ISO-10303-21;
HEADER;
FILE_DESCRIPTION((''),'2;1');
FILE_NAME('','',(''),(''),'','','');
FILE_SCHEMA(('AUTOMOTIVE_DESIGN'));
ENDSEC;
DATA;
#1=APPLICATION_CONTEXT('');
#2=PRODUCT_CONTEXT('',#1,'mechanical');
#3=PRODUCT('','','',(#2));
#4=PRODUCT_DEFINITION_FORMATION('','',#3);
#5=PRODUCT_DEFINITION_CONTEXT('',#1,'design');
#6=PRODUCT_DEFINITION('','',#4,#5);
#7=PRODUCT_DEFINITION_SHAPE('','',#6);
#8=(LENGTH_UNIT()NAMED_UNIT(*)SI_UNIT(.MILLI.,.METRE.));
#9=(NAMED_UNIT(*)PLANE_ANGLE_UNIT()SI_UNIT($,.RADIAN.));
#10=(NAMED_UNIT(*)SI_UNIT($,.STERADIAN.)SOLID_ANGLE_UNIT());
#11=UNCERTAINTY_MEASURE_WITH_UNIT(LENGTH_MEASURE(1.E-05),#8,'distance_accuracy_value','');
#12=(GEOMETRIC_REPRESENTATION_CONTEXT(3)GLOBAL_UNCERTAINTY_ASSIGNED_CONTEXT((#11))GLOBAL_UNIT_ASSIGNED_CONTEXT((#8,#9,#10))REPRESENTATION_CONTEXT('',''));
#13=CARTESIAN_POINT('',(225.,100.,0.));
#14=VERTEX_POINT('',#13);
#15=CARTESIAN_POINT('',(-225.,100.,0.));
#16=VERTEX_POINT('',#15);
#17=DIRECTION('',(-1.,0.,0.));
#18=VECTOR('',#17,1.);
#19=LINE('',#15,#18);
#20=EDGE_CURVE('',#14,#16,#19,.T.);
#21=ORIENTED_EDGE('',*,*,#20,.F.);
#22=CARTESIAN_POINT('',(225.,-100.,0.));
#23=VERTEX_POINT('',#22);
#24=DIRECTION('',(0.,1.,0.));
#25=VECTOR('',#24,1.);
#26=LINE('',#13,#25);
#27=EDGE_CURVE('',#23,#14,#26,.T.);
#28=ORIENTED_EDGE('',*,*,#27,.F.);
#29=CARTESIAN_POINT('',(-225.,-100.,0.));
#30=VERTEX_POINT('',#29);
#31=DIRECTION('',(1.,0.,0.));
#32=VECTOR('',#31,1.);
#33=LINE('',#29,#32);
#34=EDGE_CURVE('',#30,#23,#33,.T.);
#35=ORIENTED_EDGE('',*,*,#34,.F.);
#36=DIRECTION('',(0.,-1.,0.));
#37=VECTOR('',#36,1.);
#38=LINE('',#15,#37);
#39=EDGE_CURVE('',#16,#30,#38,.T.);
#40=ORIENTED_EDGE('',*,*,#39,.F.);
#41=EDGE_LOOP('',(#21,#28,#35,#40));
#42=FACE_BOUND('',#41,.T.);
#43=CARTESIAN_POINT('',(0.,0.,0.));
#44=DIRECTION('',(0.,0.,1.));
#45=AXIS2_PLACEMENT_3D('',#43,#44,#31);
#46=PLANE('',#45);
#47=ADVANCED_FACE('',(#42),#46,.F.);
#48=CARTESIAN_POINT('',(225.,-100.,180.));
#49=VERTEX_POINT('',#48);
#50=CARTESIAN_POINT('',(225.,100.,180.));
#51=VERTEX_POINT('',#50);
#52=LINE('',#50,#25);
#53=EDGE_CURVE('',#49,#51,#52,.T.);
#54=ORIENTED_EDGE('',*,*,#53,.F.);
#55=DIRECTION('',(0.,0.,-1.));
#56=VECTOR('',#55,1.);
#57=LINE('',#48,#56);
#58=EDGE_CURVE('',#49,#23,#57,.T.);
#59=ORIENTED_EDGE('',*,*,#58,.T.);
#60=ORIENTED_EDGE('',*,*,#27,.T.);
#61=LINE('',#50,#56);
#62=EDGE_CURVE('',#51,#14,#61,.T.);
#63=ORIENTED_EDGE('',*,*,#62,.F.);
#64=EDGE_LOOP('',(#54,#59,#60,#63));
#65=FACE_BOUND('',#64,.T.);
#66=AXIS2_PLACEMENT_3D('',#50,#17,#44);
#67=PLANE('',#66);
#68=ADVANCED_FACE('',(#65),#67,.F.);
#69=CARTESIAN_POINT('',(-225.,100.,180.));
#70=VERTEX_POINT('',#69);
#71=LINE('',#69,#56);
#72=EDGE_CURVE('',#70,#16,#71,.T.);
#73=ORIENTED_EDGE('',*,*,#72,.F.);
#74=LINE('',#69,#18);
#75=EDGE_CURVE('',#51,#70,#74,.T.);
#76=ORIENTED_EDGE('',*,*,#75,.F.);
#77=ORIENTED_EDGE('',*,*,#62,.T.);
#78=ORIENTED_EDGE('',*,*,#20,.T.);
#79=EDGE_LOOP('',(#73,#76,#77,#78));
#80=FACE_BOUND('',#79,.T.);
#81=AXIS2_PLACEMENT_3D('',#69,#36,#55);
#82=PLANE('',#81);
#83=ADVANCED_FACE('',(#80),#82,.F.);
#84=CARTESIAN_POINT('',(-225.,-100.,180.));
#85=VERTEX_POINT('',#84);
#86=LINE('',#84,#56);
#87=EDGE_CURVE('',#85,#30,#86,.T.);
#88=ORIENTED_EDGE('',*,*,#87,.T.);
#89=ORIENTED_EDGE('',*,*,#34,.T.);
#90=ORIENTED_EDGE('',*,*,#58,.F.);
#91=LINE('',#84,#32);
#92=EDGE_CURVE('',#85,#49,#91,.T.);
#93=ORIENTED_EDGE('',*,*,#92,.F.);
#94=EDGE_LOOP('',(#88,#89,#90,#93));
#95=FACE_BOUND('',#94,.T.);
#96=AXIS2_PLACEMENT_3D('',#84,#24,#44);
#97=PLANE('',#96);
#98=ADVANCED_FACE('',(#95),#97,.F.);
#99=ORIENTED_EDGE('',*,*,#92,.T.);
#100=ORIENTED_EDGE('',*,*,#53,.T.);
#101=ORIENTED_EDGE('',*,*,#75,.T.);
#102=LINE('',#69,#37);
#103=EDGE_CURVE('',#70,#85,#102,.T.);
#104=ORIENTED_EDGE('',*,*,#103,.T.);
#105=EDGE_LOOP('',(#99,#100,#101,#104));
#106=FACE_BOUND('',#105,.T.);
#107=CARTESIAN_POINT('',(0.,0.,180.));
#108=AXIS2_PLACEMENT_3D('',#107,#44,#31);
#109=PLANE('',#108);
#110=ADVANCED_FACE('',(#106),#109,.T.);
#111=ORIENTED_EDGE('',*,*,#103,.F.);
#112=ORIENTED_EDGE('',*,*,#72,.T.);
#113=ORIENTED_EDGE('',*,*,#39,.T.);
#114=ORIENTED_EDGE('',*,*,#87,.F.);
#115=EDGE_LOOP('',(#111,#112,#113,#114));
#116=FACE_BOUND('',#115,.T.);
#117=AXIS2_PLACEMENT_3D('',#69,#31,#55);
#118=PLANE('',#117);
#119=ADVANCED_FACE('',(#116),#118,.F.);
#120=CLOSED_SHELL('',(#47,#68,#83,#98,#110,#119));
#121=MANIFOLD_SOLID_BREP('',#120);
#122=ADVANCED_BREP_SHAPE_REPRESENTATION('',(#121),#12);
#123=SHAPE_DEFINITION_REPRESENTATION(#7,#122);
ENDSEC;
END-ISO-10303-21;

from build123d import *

# Parameters (mm, degrees)
SKETCH_1_W      = 450
SKETCH_1_H      = 200
EXTRUDE_1_DEPTH = 180


with BuildPart() as part:
    # 草图1 → 凸台-拉伸1 (new body)
    with BuildSketch(Plane.XY):
        Rectangle(SKETCH_1_W, SKETCH_1_H)
    extrude(amount=EXTRUDE_1_DEPTH)


solid = part.part
